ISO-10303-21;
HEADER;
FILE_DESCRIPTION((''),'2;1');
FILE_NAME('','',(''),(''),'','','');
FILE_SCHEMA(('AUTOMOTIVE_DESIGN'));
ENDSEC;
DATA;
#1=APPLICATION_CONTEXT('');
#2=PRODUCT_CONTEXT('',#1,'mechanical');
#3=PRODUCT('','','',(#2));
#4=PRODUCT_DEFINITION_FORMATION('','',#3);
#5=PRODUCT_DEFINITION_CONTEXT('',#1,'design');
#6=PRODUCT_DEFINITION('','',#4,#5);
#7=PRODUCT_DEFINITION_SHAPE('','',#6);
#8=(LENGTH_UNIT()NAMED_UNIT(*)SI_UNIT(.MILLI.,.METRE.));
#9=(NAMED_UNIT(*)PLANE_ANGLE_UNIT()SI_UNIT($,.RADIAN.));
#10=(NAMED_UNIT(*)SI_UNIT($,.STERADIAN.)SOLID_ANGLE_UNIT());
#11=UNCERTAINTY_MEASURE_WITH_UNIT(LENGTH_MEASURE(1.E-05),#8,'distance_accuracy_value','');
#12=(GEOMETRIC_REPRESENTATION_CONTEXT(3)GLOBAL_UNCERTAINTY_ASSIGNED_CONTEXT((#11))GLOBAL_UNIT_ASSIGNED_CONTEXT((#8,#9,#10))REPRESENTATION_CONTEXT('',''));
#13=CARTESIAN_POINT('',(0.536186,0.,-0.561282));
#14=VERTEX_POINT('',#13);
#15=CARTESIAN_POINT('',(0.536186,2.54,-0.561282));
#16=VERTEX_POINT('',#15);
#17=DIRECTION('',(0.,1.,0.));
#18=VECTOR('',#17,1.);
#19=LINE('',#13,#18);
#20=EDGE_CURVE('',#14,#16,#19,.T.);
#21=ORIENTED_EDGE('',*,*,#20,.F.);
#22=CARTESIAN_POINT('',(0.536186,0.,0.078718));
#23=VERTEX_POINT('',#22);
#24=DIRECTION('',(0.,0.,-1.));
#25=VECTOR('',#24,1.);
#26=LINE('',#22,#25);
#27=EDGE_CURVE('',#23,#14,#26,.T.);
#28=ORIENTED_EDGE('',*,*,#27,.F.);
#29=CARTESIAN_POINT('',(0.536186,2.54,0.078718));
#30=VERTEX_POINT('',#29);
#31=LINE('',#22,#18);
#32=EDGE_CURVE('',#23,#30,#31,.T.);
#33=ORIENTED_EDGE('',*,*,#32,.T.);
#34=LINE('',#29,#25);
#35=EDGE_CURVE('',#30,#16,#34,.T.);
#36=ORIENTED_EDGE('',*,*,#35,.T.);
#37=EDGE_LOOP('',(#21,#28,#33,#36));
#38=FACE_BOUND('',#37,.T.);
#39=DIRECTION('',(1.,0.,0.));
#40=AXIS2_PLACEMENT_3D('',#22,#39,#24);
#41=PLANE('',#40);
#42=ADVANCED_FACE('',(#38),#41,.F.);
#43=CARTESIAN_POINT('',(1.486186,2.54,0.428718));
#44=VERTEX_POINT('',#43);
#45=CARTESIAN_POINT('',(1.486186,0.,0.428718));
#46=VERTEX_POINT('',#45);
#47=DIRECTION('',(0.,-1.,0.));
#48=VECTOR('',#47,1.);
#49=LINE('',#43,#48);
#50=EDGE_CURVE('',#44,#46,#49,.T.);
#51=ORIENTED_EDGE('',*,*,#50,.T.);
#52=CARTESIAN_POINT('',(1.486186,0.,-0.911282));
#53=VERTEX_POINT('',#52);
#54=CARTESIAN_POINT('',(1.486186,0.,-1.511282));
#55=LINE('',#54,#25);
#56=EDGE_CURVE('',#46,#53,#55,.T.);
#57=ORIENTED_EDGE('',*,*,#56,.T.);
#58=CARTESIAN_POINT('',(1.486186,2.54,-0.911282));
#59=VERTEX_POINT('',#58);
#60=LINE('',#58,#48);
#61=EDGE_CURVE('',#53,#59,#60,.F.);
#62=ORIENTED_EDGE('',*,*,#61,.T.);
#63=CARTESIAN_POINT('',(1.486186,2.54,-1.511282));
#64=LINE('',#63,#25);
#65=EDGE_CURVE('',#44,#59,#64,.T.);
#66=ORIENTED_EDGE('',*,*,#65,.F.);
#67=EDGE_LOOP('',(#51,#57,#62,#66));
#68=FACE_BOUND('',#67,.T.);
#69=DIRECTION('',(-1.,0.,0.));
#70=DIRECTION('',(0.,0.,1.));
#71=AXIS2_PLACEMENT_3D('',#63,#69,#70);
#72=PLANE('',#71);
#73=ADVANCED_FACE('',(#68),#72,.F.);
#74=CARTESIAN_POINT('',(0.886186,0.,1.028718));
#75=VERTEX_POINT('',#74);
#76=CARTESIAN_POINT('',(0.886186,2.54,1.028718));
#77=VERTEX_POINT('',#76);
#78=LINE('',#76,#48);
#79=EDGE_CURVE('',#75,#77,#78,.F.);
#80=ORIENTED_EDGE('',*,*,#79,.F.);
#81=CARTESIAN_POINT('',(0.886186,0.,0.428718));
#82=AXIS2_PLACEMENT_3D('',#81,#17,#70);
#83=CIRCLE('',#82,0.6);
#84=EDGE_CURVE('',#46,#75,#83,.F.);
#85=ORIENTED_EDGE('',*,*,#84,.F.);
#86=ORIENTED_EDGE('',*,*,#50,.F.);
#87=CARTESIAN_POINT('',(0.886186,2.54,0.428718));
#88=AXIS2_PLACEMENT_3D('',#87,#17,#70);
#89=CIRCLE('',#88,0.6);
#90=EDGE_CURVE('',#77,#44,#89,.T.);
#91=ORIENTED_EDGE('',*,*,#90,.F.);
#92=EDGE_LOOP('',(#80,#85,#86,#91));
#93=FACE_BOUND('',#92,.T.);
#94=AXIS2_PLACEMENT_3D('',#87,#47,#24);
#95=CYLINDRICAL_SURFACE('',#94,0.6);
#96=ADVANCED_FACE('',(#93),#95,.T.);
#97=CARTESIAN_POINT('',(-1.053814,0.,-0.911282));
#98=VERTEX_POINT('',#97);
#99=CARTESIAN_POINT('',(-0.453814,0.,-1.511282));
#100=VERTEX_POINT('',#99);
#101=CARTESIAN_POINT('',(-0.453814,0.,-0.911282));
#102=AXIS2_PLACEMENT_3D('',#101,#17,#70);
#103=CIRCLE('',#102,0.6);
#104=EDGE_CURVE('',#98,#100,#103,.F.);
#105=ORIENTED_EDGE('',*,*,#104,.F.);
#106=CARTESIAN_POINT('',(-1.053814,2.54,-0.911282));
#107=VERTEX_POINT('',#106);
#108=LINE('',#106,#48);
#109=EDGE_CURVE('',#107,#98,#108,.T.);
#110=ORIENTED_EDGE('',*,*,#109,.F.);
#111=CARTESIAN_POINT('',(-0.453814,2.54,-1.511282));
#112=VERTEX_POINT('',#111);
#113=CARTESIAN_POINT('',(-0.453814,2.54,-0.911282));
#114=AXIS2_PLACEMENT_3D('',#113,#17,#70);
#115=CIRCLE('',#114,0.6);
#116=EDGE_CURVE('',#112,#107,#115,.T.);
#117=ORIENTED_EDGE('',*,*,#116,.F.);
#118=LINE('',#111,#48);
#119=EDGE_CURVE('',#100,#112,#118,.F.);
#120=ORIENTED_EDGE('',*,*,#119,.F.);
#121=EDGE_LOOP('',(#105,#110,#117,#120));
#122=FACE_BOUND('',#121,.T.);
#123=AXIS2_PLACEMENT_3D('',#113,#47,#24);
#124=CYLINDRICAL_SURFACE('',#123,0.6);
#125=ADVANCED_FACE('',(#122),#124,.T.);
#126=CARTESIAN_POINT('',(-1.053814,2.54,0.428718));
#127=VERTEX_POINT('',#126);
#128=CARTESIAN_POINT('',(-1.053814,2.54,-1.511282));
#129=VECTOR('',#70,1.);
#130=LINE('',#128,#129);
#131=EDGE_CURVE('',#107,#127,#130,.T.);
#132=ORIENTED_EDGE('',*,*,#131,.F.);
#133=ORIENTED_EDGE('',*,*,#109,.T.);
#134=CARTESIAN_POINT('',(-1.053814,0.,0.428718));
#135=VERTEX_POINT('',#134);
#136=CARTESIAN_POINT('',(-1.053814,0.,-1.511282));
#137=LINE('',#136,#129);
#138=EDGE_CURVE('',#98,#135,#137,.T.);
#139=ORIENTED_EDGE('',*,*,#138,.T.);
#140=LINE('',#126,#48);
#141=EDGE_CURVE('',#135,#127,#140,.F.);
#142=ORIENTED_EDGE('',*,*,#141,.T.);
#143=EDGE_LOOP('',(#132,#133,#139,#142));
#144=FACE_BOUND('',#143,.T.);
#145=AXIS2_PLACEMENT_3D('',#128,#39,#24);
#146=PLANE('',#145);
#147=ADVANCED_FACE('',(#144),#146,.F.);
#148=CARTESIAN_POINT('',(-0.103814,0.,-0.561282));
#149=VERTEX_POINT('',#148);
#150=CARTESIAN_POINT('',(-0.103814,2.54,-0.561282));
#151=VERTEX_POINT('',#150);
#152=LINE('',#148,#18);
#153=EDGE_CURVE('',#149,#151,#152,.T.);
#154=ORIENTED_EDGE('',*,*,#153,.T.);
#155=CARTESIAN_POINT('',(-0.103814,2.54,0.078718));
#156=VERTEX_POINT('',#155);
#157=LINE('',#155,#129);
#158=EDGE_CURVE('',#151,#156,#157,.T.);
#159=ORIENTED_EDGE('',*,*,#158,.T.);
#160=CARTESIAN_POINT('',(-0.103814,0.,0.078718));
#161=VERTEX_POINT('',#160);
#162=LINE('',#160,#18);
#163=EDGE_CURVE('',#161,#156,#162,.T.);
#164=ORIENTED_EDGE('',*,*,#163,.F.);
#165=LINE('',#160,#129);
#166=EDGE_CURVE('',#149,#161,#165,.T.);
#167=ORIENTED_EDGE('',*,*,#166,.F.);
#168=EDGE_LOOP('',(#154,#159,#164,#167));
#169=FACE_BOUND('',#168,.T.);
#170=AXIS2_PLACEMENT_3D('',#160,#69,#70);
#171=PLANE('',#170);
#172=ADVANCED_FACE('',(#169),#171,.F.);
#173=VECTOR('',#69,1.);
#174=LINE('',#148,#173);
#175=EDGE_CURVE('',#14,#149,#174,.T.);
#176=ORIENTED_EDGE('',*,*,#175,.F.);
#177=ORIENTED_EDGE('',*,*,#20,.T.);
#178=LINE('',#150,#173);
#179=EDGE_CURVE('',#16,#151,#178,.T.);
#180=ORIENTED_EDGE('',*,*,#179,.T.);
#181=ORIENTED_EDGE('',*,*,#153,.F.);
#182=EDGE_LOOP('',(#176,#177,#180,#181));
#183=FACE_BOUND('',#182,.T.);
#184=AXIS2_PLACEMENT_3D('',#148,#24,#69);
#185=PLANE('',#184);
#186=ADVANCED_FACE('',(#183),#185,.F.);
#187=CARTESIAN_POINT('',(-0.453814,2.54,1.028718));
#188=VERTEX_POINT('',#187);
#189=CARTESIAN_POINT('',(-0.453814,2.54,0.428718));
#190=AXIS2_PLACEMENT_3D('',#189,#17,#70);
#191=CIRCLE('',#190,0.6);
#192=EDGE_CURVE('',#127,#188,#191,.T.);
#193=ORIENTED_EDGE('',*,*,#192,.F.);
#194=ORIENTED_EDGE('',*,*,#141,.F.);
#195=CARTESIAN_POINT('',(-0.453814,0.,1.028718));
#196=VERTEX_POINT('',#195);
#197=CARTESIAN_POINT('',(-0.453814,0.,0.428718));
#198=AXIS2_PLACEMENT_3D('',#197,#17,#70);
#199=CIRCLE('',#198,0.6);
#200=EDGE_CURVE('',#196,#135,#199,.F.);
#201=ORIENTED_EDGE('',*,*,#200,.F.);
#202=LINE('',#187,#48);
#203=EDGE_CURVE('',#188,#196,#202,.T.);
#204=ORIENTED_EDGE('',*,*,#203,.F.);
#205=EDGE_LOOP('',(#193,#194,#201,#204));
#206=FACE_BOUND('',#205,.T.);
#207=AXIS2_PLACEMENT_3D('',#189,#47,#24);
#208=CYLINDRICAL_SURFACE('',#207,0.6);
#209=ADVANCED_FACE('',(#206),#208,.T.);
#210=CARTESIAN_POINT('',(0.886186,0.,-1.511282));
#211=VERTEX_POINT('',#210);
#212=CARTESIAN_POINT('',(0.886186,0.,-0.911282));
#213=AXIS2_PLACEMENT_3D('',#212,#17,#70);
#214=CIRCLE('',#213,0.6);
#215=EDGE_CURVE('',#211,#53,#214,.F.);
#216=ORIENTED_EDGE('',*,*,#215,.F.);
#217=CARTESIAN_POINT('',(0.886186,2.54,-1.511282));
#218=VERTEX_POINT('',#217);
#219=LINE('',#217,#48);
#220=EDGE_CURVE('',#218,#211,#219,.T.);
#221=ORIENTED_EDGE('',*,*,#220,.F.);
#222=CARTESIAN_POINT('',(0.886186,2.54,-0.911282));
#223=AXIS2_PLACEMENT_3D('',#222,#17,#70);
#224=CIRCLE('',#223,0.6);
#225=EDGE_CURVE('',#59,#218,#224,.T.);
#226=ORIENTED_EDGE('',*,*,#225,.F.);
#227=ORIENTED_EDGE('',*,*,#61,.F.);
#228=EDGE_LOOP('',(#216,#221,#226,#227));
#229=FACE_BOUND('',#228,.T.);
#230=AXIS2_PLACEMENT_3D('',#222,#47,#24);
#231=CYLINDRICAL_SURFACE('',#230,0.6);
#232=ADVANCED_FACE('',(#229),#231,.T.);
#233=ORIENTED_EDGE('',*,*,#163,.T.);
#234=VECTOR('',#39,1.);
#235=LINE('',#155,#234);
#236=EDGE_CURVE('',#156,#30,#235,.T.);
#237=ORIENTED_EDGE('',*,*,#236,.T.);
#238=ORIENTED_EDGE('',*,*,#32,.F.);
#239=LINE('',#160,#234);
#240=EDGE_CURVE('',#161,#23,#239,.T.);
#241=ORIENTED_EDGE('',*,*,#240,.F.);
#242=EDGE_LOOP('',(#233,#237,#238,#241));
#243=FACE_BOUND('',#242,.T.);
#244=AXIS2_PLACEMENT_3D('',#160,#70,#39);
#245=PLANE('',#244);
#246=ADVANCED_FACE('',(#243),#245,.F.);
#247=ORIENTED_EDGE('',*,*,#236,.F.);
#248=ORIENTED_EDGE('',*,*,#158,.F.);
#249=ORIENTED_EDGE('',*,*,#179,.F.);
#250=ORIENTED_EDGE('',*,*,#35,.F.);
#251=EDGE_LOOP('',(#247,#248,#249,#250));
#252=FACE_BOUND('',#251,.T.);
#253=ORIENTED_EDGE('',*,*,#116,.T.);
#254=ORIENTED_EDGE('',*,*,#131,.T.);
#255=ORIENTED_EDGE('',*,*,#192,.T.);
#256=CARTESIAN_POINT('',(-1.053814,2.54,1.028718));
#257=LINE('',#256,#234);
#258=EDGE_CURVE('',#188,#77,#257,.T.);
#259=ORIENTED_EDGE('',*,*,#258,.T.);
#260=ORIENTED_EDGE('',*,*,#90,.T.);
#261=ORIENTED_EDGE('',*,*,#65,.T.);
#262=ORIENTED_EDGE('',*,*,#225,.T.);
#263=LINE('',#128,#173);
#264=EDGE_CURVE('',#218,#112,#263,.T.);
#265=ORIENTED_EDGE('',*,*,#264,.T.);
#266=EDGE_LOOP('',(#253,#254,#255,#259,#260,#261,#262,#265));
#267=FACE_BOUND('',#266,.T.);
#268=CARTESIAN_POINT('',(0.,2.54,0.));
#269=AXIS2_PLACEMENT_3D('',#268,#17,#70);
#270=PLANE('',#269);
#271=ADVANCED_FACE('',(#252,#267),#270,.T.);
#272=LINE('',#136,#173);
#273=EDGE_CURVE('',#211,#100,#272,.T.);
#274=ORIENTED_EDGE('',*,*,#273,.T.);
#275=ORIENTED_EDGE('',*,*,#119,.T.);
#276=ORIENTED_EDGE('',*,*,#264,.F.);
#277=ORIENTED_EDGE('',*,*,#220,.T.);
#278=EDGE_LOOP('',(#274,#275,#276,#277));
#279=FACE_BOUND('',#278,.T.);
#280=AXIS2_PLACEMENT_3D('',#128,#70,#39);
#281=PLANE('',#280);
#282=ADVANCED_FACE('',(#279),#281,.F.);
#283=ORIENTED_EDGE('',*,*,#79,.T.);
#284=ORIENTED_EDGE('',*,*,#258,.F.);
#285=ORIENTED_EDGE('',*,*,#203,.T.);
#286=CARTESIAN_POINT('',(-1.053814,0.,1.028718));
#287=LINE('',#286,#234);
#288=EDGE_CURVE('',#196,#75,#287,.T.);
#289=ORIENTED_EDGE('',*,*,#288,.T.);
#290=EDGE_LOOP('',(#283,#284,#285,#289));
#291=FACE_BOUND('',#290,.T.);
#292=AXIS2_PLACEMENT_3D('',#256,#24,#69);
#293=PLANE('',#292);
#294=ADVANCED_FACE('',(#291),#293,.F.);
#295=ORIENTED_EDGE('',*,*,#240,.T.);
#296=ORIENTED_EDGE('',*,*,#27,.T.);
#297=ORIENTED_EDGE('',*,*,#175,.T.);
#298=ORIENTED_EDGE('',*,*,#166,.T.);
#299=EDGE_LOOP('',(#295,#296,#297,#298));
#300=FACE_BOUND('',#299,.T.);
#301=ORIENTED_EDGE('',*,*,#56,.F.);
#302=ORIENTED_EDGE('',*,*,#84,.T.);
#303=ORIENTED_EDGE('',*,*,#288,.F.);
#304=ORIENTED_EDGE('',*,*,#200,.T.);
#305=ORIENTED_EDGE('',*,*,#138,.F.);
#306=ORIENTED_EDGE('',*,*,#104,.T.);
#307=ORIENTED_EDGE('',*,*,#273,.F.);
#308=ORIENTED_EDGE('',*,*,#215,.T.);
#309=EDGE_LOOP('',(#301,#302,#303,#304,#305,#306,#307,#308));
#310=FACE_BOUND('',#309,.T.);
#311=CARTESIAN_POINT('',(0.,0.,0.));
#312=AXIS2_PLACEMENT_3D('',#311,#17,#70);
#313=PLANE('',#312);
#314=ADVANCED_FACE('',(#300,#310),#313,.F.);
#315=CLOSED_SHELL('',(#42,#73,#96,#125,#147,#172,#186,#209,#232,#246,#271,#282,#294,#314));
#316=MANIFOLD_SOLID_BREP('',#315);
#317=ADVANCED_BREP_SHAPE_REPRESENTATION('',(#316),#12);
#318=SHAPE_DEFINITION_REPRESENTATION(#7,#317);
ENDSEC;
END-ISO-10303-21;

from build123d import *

# Parameters (mm, degrees)
SKETCH1_W           = 2.54
SKETCH1_H           = 2.54
BOSS_EXTRUDE1_DEPTH = 2.54
SKETCH2_W           = 0.64
SKETCH2_H           = 0.64
CUT_EXTRUDE1_DEPTH  = 2.54
FILLET2_R           = 0.6
FILLET3_R           = 0.6
FILLET4_R           = 0.6
FILLET5_R           = 0.6


with BuildPart() as part:
    # Sketch1 → Boss-Extrude1 (new body)
    with BuildSketch(Plane(origin=(0, 0, 0), x_dir=(1, 0, 0), z_dir=(0, 1, 0))):
        with Locations((0.216186367, 0.241282018)):
            Rectangle(SKETCH1_W, SKETCH1_H)
    extrude(amount=BOSS_EXTRUDE1_DEPTH)

    # Sketch2 → Cut-Extrude1 (cut)
    with BuildSketch(Plane(origin=(0, 2.54, 0), x_dir=(1, 0, 0), z_dir=(0, 1, 0))):
        with Locations((0.216186367, 0.241282018)):
            Rectangle(SKETCH2_W, SKETCH2_H)
    extrude(amount=-CUT_EXTRUDE1_DEPTH, mode=Mode.SUBTRACT)

    # Fillet2
    fillet2_edges = [part.edges().sort_by_distance(p)[0] for p in [
        (-1.053813633, 1.27, -1.511282018),
    ]]
    fillet(fillet2_edges, radius=FILLET2_R)

    # Fillet3
    fillet3_edges = [part.edges().sort_by_distance(p)[0] for p in [
        (-1.053813633, 1.27, 1.028717982),
    ]]
    fillet(fillet3_edges, radius=FILLET3_R)

    # Fillet4
    fillet4_edges = [part.edges().sort_by_distance(p)[0] for p in [
        (1.486186367, 1.27, 1.028717982),
    ]]
    fillet(fillet4_edges, radius=FILLET4_R)

    # Fillet5
    fillet5_edges = [part.edges().sort_by_distance(p)[0] for p in [
        (1.486186367, 1.27, -1.511282018),
    ]]
    fillet(fillet5_edges, radius=FILLET5_R)


solid = part.part
